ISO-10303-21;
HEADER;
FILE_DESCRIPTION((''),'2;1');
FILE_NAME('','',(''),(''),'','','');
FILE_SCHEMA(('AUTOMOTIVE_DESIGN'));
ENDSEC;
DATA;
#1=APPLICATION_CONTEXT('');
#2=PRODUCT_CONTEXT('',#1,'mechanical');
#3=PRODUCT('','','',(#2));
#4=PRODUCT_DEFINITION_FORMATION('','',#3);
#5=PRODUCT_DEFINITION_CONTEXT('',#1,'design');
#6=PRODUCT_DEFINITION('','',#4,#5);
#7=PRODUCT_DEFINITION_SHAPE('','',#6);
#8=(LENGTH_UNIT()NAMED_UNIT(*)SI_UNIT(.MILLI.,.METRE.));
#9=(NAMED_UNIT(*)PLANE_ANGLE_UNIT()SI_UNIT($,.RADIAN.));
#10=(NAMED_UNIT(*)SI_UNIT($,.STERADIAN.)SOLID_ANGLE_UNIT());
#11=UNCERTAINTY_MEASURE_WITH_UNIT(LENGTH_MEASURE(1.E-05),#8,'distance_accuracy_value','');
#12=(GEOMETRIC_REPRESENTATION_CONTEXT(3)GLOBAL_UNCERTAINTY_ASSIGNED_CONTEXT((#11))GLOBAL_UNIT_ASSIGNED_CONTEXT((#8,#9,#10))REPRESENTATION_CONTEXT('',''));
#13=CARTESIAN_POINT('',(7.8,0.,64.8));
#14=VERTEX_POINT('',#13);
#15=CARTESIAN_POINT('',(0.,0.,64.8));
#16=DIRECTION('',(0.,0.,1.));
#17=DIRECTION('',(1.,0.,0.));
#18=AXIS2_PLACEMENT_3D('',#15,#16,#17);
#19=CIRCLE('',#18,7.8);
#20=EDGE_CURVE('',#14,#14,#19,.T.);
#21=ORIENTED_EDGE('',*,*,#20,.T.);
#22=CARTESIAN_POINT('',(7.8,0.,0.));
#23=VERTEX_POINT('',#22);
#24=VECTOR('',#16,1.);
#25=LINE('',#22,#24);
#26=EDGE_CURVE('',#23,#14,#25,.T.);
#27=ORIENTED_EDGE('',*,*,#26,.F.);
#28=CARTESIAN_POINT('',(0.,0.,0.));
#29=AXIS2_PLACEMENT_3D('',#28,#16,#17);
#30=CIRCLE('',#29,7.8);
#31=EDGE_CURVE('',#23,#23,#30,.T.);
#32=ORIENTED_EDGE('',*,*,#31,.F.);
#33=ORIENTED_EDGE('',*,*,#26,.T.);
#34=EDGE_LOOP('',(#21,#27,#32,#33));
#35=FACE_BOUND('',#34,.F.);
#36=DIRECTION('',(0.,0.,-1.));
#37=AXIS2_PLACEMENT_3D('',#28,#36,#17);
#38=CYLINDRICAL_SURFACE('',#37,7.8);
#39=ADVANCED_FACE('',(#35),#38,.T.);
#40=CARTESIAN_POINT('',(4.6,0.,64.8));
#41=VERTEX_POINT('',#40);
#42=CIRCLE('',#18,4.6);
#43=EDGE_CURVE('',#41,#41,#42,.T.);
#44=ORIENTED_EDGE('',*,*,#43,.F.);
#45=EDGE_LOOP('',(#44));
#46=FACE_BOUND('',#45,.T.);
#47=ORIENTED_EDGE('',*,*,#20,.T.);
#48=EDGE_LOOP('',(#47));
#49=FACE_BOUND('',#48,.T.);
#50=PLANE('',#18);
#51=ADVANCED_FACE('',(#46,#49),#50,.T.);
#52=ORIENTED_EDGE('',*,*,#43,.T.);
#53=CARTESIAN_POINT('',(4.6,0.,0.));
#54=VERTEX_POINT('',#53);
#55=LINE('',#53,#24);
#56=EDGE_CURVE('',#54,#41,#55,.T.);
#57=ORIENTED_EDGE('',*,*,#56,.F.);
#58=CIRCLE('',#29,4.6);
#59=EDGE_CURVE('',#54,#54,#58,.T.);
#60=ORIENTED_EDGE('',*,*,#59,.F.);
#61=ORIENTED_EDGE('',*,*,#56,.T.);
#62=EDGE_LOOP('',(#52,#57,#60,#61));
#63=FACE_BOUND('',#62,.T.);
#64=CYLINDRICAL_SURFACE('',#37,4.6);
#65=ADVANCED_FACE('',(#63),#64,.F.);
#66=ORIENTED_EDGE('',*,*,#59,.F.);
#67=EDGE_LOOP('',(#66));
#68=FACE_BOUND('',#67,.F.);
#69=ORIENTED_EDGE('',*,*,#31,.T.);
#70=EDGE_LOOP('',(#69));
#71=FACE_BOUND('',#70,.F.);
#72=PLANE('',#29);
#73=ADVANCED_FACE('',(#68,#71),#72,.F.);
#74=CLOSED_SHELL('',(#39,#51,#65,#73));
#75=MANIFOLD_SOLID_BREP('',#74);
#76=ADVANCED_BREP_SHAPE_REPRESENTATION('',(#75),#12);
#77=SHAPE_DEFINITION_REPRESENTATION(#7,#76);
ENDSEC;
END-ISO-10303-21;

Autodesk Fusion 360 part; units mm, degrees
sketch "TopView" plane through (0, 0, 0) normal (0, 0, 1) x (1, 0, 0)
  circle A0 centre (0, 0) radius 7.8
  circle A1 centre (0, 0) radius 4.6
  dimension "d1" = 15.6
  dimension "d2" = 9.2
extrude "Extrude1" add sketch "TopView" along normal blind 64.8
